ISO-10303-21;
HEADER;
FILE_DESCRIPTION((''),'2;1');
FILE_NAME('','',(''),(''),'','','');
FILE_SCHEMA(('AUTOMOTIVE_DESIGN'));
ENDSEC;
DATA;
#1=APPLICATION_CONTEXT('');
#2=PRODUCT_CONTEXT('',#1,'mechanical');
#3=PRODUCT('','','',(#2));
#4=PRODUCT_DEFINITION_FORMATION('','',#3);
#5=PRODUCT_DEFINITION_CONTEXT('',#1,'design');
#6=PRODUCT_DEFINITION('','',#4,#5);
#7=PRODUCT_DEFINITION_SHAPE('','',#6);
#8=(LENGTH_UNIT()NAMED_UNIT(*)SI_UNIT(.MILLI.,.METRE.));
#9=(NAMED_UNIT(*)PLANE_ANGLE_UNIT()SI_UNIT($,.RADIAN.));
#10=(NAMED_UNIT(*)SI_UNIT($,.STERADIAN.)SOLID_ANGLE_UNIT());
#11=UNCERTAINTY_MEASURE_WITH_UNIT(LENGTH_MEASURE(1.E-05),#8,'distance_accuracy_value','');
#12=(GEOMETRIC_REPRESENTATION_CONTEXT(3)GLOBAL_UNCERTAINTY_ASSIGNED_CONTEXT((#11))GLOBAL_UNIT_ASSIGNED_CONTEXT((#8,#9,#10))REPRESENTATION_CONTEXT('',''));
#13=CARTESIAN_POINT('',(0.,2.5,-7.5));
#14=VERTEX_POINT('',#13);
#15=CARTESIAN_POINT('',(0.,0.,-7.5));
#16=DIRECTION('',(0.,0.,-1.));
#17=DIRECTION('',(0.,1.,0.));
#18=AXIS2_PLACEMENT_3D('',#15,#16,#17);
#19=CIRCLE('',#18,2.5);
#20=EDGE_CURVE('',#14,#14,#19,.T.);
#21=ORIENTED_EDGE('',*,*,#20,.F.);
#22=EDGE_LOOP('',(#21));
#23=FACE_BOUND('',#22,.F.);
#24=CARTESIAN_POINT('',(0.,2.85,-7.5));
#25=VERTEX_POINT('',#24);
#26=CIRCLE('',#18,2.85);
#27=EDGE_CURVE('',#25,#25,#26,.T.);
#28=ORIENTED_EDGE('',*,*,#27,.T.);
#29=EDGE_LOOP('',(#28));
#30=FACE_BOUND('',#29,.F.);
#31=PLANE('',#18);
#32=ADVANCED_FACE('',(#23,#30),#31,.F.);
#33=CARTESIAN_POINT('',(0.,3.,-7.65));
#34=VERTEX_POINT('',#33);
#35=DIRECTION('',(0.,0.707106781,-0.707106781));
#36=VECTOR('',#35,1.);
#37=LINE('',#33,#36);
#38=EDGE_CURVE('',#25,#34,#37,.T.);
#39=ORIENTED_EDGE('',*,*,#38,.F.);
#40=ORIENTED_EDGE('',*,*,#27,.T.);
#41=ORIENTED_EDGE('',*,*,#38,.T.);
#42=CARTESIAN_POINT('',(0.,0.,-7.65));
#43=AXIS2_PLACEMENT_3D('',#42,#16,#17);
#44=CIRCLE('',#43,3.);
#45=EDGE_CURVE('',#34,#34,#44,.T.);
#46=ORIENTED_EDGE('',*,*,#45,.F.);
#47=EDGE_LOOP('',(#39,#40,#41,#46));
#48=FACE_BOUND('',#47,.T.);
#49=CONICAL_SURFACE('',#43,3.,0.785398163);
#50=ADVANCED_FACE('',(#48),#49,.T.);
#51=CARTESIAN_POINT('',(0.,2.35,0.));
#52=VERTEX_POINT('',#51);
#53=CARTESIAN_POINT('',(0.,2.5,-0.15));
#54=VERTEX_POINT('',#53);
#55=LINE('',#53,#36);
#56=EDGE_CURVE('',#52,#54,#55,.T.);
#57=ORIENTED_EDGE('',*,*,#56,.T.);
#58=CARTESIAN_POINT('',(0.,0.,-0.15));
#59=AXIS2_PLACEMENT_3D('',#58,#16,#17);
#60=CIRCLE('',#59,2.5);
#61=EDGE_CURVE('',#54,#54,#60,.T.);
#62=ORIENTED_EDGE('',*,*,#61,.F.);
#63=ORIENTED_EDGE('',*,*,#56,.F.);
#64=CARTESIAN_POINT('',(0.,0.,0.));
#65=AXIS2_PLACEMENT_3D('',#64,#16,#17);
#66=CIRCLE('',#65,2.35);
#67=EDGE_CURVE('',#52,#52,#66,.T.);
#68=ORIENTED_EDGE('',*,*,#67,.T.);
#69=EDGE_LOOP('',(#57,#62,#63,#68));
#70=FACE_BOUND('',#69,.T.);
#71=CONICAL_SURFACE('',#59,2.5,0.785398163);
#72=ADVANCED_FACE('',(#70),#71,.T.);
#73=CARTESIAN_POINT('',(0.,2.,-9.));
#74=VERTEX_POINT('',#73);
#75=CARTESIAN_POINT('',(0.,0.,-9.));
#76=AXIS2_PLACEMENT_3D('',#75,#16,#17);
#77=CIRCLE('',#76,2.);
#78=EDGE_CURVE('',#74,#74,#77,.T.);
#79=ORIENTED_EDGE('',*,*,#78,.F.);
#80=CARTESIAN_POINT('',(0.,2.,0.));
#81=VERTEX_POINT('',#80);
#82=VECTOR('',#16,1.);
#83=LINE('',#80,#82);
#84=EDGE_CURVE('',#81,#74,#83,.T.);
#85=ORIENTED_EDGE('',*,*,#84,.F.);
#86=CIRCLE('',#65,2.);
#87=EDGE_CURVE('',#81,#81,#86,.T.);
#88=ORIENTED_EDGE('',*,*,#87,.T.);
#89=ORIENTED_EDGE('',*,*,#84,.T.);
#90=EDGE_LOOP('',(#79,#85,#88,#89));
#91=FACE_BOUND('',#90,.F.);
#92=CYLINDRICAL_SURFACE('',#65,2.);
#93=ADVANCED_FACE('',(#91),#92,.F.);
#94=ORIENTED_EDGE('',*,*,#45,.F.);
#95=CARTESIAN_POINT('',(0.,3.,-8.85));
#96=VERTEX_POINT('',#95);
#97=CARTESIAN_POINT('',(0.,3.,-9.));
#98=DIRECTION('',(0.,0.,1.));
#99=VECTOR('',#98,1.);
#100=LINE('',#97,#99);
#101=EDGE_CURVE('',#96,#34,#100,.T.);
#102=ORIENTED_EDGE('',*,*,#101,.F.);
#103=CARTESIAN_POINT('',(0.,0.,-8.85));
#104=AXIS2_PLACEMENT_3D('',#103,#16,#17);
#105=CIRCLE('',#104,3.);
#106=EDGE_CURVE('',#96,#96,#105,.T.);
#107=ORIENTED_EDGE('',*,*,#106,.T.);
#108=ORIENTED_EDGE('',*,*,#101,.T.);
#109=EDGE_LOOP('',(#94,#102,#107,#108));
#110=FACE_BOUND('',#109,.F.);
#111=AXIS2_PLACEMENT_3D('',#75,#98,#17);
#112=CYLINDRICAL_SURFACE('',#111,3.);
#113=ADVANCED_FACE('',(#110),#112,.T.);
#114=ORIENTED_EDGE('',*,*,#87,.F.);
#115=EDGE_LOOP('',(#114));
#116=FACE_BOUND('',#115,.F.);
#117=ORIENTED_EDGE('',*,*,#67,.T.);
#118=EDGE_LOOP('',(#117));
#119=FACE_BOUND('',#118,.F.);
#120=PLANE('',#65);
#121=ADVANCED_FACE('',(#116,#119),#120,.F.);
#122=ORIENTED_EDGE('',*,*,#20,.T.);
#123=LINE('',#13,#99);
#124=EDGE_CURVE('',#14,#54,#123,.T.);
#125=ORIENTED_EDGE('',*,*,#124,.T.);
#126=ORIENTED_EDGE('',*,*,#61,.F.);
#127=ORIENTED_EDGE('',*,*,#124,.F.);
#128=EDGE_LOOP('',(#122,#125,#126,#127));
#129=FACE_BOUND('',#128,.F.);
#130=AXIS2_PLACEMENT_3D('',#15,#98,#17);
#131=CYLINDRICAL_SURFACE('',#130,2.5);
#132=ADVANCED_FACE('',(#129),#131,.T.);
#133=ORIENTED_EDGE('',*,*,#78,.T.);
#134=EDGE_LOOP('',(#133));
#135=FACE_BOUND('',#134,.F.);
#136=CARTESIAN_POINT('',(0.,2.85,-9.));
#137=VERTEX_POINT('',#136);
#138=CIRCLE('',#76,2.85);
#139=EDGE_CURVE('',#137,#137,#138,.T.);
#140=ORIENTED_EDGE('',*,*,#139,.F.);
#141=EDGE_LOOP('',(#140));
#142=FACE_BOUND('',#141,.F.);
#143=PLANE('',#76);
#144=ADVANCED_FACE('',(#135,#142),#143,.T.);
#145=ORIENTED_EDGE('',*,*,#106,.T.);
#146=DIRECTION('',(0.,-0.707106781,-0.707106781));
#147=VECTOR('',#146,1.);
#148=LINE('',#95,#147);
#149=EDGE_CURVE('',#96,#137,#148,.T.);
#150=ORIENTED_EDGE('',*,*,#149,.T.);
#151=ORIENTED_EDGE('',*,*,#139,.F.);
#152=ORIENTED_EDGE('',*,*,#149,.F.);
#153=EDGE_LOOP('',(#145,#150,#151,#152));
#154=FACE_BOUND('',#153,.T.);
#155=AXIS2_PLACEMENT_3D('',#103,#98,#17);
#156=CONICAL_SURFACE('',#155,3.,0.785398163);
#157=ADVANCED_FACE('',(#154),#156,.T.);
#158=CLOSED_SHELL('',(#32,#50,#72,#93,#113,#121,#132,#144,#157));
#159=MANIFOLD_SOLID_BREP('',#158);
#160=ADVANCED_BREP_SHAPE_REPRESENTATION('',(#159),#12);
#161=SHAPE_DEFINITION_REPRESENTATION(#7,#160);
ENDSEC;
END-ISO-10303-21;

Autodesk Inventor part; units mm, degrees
ref_plane "YZ Plane" through (0, 0, 0) normal (1, 0, 0) x (0, 1, 0)
ref_plane "XZ Plane" through (0, 0, 0) normal (0, 1, 0) x (-1, 0, 0)
ref_plane "XY Plane" through (0, 0, 0) normal (0, 0, 1) x (1, 0, 0)
sketch "Sketch1" plane through (0, 0, 0) normal (1, 0, 0) x (0, 1, 0)
  line L0 (0, 0) -> (0, -9) construction
  line L1 (2, 0) -> (2, -9)
  line L2 (2, -9) -> (3, -9)
  line L3 (3, -9) -> (3, -7.5)
  line L4 (3, -7.5) -> (2.5, -7.5)
  line L5 (2.5, -7.5) -> (2.5, 0)
  line L6 (2.5, 0) -> (2, 0)
  line L7 (0, 0) -> (7.91, 0) construction
  dimension "d0" = 9
  dimension "d1" = 2
  dimension "d2" = 2.5
  dimension "d3" = 3
  dimension "d4" = 1.5
  dimension "d5" = 9
revolve "Revolution1" add sketch "Sketch1" angle 360 about axis through (0, 0, 0) along (0, 0, -1)
chamfer "Chamfer1" distance 0.15 angle 45 3 edges at (0, -3, -7.5) (0, -3, -9) (0, -2.5, 0)
properties part number "Component 5(Ram Bearing)"
